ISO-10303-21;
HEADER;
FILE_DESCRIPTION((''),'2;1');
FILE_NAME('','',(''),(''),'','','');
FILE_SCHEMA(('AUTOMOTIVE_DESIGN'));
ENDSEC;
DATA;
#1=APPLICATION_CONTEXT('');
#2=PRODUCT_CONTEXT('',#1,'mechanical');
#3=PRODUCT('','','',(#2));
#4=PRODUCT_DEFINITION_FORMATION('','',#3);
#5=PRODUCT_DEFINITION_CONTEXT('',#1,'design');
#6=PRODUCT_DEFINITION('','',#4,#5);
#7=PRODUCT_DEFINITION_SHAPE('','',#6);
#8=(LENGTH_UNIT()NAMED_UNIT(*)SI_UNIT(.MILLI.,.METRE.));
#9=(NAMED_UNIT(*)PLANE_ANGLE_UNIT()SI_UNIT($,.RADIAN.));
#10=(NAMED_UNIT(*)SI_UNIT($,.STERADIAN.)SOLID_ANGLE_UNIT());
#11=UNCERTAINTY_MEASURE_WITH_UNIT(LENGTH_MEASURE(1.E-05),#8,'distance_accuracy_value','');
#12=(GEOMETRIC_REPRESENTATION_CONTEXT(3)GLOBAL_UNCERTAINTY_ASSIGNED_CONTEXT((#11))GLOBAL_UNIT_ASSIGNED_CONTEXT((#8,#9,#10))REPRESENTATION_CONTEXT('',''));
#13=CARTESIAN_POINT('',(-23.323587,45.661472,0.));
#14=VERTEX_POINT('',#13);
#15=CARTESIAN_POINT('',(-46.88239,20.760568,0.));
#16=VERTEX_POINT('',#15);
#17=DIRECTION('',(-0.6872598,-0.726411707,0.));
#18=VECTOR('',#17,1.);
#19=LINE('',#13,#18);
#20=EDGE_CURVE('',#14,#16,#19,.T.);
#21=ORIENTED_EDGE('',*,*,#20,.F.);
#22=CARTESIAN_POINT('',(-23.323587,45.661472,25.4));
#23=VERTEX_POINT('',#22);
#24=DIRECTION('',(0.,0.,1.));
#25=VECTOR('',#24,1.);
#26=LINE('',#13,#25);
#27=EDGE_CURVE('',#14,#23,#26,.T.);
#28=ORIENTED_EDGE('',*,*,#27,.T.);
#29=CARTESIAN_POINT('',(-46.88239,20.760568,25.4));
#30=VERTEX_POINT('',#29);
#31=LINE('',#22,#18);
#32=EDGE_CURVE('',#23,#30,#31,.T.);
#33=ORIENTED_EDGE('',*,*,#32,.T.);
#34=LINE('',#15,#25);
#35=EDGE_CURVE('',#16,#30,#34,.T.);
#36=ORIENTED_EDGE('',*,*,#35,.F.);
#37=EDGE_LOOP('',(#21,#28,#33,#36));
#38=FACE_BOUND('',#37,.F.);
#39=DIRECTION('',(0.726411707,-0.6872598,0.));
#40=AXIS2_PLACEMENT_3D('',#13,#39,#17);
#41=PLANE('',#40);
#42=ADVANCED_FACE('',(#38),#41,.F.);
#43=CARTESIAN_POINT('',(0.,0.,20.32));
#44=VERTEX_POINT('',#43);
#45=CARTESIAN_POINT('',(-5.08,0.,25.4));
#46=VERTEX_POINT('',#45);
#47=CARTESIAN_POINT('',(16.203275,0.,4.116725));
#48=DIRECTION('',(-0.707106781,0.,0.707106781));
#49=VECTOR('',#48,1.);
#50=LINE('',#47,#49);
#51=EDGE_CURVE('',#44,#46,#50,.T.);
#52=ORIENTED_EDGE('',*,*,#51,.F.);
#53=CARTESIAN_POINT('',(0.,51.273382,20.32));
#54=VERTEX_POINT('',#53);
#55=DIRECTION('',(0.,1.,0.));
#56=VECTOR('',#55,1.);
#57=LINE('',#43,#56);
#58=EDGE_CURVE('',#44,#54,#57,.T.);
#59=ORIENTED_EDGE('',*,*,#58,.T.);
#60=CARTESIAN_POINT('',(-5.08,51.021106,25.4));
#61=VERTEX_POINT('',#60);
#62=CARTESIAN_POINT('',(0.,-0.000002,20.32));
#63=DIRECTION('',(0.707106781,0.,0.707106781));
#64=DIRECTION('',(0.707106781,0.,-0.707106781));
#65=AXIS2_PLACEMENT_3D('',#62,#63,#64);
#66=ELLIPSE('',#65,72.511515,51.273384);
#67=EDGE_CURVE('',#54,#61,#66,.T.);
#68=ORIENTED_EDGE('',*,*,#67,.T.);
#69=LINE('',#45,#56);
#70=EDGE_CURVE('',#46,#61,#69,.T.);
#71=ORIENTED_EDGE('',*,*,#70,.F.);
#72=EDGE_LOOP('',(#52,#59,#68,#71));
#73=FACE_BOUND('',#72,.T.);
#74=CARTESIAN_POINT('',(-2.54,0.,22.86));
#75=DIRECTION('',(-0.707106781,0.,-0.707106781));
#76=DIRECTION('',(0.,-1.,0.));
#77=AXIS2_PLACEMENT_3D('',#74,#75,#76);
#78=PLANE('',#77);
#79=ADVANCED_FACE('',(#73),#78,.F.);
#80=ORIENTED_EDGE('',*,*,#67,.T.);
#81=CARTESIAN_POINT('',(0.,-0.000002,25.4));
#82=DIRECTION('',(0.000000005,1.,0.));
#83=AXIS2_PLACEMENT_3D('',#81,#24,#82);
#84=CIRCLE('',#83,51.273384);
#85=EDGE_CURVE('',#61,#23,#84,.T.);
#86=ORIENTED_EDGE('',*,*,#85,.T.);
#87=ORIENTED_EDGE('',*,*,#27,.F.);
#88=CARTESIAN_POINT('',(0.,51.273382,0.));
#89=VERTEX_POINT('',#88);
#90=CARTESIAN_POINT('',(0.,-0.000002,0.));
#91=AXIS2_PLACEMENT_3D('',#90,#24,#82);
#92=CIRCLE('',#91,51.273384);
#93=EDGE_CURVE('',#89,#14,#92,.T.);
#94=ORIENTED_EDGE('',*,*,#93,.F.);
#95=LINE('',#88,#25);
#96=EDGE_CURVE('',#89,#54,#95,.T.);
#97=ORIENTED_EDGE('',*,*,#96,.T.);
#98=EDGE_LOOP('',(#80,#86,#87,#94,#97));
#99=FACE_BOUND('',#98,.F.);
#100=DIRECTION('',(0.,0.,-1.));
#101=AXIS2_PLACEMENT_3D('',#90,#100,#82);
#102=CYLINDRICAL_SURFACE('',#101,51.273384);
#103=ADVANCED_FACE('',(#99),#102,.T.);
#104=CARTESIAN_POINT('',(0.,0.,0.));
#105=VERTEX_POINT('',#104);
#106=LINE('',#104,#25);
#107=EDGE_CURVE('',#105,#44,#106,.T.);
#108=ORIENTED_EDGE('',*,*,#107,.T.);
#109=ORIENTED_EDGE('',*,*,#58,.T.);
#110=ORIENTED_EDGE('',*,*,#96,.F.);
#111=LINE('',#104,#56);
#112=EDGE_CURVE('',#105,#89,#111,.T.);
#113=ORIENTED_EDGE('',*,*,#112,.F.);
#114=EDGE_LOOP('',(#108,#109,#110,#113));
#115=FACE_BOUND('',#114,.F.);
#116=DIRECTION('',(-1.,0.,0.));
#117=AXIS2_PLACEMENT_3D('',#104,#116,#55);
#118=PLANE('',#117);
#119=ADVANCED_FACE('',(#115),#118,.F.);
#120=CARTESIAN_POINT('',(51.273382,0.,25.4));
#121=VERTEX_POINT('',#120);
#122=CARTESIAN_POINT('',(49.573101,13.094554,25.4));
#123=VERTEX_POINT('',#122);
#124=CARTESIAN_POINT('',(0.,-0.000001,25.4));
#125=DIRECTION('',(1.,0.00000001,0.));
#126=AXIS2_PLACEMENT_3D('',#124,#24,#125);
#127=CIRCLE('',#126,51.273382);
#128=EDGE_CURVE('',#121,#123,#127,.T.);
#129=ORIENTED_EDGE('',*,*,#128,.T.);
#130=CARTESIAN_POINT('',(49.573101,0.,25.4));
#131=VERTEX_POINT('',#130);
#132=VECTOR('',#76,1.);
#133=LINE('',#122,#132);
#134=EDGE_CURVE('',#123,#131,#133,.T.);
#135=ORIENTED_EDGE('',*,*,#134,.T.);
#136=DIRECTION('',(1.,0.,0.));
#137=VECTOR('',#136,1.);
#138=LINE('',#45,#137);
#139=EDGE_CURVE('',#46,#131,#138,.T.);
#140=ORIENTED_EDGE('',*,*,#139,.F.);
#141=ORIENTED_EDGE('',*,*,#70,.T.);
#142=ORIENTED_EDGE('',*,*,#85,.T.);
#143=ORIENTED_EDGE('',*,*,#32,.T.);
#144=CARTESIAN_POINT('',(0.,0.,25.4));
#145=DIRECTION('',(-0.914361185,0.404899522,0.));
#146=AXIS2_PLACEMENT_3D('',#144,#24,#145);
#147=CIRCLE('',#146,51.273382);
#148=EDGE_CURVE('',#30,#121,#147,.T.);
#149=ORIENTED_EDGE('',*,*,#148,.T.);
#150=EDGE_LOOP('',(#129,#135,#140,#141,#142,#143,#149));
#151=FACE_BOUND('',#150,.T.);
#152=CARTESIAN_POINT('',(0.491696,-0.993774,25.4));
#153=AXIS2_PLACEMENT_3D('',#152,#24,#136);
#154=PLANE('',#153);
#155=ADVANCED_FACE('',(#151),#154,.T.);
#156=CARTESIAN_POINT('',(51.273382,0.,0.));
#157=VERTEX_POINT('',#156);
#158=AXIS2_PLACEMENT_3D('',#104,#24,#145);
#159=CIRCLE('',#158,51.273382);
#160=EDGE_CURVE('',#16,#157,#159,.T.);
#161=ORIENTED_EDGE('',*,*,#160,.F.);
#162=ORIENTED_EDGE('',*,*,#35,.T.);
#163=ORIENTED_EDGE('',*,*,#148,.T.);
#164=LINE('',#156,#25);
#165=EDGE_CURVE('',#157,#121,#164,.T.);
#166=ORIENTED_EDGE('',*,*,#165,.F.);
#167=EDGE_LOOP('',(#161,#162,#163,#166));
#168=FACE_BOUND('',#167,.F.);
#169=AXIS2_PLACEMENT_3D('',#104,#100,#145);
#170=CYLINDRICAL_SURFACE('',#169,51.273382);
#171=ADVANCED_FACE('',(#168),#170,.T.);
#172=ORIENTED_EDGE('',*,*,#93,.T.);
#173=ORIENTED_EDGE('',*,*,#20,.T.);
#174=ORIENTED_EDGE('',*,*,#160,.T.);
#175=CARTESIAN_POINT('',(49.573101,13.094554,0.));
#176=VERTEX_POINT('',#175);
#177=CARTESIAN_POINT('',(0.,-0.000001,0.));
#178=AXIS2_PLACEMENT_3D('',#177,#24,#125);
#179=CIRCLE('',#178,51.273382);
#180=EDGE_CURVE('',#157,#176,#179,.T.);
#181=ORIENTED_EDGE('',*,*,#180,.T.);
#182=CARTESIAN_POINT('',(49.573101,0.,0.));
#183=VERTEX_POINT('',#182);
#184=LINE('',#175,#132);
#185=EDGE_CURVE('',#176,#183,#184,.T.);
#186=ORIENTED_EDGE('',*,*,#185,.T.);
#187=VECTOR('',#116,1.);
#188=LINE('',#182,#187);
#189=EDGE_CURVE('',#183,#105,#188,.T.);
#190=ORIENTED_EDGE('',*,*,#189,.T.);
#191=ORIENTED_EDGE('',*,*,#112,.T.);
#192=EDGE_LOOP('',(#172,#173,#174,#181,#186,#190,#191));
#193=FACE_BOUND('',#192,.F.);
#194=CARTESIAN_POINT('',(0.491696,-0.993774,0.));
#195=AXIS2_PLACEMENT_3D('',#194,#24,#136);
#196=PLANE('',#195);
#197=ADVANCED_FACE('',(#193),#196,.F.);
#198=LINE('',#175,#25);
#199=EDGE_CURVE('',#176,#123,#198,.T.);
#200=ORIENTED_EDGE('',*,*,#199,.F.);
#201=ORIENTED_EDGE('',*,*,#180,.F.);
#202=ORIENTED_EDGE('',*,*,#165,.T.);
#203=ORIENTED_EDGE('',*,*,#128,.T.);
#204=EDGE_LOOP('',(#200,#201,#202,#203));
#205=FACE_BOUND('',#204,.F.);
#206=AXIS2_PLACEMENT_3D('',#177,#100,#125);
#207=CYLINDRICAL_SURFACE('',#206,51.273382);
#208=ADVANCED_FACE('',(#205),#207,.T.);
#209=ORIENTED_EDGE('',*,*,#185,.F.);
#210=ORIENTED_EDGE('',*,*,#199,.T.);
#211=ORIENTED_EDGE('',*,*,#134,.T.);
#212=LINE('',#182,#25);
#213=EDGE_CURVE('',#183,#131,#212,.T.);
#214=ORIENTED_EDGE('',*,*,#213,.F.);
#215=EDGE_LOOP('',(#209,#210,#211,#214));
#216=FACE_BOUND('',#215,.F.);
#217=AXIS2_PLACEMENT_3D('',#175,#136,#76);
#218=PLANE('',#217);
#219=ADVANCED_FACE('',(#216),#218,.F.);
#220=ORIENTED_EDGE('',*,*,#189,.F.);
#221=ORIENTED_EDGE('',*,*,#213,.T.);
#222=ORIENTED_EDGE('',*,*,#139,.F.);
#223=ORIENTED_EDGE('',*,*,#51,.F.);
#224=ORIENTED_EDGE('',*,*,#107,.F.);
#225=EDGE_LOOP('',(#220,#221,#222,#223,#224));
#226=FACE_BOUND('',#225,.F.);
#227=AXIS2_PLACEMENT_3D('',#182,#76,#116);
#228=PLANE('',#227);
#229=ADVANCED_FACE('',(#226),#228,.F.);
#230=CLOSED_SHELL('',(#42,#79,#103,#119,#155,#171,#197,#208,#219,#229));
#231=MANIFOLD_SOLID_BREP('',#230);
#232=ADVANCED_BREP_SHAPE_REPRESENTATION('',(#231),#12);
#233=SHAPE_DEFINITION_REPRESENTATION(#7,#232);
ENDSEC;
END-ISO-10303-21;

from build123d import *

# Parameters (mm, degrees)
F1_DEPTH = 25.4
F2_SIZE  = 5.08


with BuildPart() as f1:
    # F0 (on Top) → F1 (new body)
    with BuildSketch(Plane.XY):
        with BuildLine():
            Line((-23.323587, 45.661472), (-46.88239, 20.760568))
            ThreePointArc((-46.88239, 20.760568), (-10.609924, -50.163624), (51.273382, 0))
            ThreePointArc((51.273382, 0), (50.846535, 6.60224), (49.573101, 13.094554))
            Line((49.573101, 13.094554), (49.573101, 0))
            Line((49.573101, 0), (0, 0))
            Line((0, 0), (0, 51.273382))
            ThreePointArc((0, 51.273382), (-11.994616, 49.850666), (-23.323587, 45.661472))
        make_face()
    extrude(amount=F1_DEPTH)

    # F2
    f2_edges = [f1.edges().sort_by_distance(p)[0] for p in [
        (0, 25.636691, 25.4),
    ]]
    chamfer(f2_edges, length=F2_SIZE)


solid = f1.part
